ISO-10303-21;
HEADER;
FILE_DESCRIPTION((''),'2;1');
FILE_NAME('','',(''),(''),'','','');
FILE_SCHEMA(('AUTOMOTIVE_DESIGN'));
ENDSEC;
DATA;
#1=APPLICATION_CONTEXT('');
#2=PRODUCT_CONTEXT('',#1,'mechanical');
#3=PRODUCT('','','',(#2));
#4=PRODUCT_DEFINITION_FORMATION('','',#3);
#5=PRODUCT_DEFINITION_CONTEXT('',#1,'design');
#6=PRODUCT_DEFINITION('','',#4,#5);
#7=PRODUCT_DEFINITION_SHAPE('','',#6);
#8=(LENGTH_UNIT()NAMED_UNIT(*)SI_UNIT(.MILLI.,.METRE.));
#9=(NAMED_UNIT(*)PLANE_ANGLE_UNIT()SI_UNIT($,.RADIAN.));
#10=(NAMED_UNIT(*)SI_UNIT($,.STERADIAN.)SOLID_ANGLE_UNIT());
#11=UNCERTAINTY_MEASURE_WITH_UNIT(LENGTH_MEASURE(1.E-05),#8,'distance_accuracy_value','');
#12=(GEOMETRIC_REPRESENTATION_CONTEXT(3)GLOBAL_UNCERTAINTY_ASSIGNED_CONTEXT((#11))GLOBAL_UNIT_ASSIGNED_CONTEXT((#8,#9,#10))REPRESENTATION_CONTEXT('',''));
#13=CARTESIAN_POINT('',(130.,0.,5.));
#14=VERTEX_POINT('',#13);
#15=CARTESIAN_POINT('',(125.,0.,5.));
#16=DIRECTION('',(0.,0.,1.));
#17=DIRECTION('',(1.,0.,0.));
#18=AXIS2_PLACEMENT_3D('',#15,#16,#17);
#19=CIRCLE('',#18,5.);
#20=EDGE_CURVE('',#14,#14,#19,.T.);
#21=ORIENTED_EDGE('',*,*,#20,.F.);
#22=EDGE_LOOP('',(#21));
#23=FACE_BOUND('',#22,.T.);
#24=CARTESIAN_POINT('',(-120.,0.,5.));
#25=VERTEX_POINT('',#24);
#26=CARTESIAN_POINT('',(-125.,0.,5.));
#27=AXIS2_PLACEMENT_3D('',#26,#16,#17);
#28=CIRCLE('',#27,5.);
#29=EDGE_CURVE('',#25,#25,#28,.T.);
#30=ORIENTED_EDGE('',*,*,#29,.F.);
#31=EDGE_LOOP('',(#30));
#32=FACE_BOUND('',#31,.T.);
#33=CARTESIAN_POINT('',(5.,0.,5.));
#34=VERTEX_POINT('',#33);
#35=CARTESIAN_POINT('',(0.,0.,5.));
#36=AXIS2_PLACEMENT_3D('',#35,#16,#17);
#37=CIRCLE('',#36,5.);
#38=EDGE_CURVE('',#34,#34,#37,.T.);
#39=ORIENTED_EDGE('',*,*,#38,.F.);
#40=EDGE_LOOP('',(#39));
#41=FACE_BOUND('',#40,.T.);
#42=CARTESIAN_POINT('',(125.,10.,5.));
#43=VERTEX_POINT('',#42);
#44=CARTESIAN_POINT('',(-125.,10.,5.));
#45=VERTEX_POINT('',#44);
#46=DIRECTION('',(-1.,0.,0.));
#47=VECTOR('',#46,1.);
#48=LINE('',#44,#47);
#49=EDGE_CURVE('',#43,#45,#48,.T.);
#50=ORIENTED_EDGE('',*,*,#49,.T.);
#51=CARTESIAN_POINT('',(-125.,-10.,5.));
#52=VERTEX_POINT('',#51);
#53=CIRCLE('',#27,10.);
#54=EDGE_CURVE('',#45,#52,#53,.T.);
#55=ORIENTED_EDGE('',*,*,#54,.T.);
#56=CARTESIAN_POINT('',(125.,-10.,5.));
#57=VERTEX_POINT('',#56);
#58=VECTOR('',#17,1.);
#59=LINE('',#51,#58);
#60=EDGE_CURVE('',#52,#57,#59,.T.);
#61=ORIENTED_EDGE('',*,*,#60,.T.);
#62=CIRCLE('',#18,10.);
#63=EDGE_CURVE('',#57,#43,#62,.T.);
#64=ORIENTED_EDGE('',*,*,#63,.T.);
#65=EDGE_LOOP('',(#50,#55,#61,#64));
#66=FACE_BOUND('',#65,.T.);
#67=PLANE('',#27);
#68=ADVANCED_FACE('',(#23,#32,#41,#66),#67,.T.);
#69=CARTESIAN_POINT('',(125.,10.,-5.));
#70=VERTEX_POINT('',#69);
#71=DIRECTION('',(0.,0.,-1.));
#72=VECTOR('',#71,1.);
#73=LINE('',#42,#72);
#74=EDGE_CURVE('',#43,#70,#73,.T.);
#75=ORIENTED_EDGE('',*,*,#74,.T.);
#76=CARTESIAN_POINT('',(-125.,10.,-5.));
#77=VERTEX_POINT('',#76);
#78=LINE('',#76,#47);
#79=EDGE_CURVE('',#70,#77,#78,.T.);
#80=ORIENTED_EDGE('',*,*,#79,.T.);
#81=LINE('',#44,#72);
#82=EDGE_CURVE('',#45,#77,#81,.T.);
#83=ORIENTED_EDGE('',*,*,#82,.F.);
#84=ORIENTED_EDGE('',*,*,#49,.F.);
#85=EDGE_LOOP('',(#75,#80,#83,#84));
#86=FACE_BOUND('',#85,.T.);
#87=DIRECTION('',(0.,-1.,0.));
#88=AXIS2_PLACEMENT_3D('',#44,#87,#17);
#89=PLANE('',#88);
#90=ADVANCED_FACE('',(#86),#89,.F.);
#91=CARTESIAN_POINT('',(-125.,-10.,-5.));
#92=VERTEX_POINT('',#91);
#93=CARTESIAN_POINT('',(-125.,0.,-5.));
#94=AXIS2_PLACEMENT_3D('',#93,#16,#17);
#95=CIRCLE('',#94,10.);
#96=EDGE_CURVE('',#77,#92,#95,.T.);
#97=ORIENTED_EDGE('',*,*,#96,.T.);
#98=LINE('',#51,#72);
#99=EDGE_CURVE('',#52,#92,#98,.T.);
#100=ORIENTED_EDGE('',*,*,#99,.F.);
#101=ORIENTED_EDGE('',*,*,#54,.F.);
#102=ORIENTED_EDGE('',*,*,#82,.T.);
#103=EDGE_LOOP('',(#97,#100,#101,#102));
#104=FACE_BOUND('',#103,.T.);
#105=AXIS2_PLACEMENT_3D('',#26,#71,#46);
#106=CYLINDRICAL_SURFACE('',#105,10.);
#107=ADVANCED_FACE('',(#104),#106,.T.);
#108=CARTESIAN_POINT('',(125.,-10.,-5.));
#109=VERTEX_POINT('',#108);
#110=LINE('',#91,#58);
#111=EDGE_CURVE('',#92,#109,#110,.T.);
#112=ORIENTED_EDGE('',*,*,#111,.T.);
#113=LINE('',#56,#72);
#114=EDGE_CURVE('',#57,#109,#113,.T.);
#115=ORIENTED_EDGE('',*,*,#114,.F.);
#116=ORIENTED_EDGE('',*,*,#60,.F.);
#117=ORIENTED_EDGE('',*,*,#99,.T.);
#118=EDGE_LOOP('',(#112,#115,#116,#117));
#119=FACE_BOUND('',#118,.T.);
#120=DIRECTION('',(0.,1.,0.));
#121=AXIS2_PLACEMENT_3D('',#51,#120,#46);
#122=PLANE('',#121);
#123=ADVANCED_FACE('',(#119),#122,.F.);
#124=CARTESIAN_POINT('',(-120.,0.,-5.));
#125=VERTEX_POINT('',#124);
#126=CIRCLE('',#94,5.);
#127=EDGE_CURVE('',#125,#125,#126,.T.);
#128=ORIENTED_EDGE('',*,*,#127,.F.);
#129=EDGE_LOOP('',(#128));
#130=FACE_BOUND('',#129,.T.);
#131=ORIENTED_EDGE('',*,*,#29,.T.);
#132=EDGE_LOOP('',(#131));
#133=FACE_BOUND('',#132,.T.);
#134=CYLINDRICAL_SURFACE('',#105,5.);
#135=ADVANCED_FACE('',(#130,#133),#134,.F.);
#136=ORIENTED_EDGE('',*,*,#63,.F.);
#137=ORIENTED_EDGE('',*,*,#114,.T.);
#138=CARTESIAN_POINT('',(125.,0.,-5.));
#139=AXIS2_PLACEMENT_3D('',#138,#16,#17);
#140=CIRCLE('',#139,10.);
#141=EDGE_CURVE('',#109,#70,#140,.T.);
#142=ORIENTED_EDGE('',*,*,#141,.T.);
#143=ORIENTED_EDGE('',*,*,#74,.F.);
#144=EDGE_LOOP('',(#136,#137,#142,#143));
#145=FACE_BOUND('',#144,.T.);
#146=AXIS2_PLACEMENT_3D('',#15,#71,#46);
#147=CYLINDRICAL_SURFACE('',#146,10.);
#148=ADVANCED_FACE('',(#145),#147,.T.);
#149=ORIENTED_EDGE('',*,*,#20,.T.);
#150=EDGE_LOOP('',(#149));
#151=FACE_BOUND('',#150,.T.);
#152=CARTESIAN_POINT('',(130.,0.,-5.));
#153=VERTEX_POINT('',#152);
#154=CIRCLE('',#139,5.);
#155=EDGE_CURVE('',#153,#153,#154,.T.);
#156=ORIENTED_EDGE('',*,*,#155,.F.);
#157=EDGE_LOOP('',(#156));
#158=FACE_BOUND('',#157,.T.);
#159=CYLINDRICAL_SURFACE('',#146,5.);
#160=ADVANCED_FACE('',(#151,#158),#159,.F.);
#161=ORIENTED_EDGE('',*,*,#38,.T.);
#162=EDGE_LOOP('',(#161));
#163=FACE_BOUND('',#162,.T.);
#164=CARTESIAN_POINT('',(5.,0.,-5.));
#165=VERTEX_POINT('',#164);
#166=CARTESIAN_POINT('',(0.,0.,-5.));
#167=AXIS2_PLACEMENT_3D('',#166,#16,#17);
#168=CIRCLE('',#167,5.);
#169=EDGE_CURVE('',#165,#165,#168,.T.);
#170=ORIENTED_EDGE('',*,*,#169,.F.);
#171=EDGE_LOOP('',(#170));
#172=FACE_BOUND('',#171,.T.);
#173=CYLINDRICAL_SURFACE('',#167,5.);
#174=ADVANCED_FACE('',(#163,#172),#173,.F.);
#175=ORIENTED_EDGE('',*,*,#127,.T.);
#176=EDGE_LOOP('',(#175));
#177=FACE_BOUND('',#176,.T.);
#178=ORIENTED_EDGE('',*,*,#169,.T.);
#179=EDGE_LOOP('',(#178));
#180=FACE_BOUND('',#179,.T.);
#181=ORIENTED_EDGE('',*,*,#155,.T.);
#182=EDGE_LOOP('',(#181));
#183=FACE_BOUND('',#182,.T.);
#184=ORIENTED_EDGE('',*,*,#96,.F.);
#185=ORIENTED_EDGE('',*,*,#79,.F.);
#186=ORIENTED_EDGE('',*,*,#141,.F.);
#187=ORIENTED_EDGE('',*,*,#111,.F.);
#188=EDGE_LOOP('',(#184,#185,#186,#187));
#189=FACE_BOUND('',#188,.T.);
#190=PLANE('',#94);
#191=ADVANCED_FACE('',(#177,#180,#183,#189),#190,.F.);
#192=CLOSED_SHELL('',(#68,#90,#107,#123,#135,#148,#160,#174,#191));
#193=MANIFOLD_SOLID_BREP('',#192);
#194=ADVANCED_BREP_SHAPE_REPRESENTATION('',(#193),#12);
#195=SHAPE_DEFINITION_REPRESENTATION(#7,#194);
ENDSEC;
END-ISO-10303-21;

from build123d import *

# Parameters (mm, degrees)
SKETCH1_R           = 5
BOSS_EXTRUDE1_DEPTH = 5
SKETCH2_R           = 5
CUT_EXTRUDE2_DEPTH  = 5


with BuildPart() as part:
    # Sketch1 → Boss-Extrude1 (new, symmetric)
    with BuildSketch(Plane.XY):
        with BuildLine():
            Line((-125, 10), (125, 10))
            ThreePointArc((125, 10), (135, 0), (125, -10))
            Line((125, -10), (-125, -10))
            ThreePointArc((-125, -10), (-135, 0), (-125, 10))
        make_face()
        with Locations((-125, 0)):
            Circle(SKETCH1_R, mode=Mode.SUBTRACT)
        with Locations((125, 0)):
            Circle(SKETCH1_R, mode=Mode.SUBTRACT)
    extrude(amount=BOSS_EXTRUDE1_DEPTH, both=True)

    # Sketch2 → Cut-Extrude2 (cut, symmetric)
    with BuildSketch(Plane.XY):
        Circle(SKETCH2_R)
    extrude(amount=CUT_EXTRUDE2_DEPTH, both=True, mode=Mode.SUBTRACT)


solid = part.part
